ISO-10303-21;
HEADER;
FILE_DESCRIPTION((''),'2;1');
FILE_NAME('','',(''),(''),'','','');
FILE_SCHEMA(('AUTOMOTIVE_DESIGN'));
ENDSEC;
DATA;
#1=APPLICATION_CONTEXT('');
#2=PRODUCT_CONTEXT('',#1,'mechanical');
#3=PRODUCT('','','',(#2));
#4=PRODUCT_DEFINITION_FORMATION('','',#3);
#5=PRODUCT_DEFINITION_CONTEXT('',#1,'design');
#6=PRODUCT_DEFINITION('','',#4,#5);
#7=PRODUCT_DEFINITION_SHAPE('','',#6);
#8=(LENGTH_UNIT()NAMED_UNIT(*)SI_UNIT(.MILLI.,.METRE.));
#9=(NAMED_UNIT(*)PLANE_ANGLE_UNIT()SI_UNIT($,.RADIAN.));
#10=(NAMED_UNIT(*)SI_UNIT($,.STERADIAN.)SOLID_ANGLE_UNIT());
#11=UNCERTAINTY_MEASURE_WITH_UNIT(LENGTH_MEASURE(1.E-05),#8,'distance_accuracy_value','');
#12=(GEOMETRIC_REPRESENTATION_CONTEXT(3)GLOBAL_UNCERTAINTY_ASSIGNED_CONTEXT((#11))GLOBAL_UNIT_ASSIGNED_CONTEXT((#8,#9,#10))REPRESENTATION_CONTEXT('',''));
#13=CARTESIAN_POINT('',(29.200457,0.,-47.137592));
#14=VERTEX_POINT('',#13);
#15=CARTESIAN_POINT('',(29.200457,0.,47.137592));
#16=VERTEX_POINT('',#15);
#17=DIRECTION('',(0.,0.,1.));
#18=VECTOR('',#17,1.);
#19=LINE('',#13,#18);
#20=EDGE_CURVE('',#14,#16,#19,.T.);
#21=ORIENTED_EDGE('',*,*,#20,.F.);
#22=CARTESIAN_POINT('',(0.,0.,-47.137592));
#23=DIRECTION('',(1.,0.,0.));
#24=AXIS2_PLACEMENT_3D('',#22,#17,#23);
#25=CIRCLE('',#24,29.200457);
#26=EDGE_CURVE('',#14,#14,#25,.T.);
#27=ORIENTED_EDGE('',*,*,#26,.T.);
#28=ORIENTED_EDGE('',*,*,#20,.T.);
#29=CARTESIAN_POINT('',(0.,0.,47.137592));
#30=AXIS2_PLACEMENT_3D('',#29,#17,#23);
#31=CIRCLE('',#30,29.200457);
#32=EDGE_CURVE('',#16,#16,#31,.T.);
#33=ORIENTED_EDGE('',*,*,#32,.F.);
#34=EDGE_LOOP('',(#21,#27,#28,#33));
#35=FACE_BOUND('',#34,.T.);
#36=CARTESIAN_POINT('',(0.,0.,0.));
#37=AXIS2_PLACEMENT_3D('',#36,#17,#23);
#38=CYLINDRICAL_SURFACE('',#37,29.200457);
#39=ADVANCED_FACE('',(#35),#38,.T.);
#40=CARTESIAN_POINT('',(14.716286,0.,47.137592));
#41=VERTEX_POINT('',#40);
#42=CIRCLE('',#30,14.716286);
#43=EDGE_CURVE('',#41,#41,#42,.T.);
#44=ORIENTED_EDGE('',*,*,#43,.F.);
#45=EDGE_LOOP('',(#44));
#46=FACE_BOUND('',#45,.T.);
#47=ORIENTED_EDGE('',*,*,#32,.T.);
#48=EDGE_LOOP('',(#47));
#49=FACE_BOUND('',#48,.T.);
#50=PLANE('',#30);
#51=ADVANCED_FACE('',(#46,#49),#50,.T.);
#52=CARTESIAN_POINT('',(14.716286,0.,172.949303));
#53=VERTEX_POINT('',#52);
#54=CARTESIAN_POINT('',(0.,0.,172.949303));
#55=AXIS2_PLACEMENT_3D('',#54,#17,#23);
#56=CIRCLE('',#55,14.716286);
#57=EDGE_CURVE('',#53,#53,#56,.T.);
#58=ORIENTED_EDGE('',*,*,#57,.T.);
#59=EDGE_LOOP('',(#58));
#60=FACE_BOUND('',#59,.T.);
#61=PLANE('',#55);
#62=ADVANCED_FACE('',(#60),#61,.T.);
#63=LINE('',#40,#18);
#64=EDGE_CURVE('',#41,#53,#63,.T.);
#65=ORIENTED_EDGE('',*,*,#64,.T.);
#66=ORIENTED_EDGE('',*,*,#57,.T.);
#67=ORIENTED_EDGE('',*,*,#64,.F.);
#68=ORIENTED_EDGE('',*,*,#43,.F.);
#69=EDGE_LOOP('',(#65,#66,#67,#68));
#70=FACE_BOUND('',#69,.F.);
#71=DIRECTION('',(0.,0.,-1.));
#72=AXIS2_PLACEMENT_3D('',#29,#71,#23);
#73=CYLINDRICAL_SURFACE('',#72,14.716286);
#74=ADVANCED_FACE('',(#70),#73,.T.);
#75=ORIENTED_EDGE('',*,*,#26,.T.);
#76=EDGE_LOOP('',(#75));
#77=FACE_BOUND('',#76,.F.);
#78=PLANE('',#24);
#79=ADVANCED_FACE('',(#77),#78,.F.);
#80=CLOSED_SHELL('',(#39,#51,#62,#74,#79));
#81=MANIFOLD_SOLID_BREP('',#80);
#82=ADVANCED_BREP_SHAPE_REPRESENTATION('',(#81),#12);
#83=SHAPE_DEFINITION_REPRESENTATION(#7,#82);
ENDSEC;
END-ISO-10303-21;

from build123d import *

# Parameters (mm, degrees)
F0_R     = 29.2004574819
F1_DEPTH = 47.1375919878
F2_R     = 14.7162856139
F3_DEPTH = 125.8117109537


with BuildPart() as f1:
    # F0 (on Top) → F1 (new body, symmetric)
    with BuildSketch(Plane.XY):
        Circle(F0_R)
    extrude(amount=F1_DEPTH, both=True)

    # F2 (on face) → F3 (join)
    with BuildSketch(Plane.XY.offset(47.1375919878)):
        Circle(F2_R)
    extrude(amount=F3_DEPTH)


solid = f1.part
